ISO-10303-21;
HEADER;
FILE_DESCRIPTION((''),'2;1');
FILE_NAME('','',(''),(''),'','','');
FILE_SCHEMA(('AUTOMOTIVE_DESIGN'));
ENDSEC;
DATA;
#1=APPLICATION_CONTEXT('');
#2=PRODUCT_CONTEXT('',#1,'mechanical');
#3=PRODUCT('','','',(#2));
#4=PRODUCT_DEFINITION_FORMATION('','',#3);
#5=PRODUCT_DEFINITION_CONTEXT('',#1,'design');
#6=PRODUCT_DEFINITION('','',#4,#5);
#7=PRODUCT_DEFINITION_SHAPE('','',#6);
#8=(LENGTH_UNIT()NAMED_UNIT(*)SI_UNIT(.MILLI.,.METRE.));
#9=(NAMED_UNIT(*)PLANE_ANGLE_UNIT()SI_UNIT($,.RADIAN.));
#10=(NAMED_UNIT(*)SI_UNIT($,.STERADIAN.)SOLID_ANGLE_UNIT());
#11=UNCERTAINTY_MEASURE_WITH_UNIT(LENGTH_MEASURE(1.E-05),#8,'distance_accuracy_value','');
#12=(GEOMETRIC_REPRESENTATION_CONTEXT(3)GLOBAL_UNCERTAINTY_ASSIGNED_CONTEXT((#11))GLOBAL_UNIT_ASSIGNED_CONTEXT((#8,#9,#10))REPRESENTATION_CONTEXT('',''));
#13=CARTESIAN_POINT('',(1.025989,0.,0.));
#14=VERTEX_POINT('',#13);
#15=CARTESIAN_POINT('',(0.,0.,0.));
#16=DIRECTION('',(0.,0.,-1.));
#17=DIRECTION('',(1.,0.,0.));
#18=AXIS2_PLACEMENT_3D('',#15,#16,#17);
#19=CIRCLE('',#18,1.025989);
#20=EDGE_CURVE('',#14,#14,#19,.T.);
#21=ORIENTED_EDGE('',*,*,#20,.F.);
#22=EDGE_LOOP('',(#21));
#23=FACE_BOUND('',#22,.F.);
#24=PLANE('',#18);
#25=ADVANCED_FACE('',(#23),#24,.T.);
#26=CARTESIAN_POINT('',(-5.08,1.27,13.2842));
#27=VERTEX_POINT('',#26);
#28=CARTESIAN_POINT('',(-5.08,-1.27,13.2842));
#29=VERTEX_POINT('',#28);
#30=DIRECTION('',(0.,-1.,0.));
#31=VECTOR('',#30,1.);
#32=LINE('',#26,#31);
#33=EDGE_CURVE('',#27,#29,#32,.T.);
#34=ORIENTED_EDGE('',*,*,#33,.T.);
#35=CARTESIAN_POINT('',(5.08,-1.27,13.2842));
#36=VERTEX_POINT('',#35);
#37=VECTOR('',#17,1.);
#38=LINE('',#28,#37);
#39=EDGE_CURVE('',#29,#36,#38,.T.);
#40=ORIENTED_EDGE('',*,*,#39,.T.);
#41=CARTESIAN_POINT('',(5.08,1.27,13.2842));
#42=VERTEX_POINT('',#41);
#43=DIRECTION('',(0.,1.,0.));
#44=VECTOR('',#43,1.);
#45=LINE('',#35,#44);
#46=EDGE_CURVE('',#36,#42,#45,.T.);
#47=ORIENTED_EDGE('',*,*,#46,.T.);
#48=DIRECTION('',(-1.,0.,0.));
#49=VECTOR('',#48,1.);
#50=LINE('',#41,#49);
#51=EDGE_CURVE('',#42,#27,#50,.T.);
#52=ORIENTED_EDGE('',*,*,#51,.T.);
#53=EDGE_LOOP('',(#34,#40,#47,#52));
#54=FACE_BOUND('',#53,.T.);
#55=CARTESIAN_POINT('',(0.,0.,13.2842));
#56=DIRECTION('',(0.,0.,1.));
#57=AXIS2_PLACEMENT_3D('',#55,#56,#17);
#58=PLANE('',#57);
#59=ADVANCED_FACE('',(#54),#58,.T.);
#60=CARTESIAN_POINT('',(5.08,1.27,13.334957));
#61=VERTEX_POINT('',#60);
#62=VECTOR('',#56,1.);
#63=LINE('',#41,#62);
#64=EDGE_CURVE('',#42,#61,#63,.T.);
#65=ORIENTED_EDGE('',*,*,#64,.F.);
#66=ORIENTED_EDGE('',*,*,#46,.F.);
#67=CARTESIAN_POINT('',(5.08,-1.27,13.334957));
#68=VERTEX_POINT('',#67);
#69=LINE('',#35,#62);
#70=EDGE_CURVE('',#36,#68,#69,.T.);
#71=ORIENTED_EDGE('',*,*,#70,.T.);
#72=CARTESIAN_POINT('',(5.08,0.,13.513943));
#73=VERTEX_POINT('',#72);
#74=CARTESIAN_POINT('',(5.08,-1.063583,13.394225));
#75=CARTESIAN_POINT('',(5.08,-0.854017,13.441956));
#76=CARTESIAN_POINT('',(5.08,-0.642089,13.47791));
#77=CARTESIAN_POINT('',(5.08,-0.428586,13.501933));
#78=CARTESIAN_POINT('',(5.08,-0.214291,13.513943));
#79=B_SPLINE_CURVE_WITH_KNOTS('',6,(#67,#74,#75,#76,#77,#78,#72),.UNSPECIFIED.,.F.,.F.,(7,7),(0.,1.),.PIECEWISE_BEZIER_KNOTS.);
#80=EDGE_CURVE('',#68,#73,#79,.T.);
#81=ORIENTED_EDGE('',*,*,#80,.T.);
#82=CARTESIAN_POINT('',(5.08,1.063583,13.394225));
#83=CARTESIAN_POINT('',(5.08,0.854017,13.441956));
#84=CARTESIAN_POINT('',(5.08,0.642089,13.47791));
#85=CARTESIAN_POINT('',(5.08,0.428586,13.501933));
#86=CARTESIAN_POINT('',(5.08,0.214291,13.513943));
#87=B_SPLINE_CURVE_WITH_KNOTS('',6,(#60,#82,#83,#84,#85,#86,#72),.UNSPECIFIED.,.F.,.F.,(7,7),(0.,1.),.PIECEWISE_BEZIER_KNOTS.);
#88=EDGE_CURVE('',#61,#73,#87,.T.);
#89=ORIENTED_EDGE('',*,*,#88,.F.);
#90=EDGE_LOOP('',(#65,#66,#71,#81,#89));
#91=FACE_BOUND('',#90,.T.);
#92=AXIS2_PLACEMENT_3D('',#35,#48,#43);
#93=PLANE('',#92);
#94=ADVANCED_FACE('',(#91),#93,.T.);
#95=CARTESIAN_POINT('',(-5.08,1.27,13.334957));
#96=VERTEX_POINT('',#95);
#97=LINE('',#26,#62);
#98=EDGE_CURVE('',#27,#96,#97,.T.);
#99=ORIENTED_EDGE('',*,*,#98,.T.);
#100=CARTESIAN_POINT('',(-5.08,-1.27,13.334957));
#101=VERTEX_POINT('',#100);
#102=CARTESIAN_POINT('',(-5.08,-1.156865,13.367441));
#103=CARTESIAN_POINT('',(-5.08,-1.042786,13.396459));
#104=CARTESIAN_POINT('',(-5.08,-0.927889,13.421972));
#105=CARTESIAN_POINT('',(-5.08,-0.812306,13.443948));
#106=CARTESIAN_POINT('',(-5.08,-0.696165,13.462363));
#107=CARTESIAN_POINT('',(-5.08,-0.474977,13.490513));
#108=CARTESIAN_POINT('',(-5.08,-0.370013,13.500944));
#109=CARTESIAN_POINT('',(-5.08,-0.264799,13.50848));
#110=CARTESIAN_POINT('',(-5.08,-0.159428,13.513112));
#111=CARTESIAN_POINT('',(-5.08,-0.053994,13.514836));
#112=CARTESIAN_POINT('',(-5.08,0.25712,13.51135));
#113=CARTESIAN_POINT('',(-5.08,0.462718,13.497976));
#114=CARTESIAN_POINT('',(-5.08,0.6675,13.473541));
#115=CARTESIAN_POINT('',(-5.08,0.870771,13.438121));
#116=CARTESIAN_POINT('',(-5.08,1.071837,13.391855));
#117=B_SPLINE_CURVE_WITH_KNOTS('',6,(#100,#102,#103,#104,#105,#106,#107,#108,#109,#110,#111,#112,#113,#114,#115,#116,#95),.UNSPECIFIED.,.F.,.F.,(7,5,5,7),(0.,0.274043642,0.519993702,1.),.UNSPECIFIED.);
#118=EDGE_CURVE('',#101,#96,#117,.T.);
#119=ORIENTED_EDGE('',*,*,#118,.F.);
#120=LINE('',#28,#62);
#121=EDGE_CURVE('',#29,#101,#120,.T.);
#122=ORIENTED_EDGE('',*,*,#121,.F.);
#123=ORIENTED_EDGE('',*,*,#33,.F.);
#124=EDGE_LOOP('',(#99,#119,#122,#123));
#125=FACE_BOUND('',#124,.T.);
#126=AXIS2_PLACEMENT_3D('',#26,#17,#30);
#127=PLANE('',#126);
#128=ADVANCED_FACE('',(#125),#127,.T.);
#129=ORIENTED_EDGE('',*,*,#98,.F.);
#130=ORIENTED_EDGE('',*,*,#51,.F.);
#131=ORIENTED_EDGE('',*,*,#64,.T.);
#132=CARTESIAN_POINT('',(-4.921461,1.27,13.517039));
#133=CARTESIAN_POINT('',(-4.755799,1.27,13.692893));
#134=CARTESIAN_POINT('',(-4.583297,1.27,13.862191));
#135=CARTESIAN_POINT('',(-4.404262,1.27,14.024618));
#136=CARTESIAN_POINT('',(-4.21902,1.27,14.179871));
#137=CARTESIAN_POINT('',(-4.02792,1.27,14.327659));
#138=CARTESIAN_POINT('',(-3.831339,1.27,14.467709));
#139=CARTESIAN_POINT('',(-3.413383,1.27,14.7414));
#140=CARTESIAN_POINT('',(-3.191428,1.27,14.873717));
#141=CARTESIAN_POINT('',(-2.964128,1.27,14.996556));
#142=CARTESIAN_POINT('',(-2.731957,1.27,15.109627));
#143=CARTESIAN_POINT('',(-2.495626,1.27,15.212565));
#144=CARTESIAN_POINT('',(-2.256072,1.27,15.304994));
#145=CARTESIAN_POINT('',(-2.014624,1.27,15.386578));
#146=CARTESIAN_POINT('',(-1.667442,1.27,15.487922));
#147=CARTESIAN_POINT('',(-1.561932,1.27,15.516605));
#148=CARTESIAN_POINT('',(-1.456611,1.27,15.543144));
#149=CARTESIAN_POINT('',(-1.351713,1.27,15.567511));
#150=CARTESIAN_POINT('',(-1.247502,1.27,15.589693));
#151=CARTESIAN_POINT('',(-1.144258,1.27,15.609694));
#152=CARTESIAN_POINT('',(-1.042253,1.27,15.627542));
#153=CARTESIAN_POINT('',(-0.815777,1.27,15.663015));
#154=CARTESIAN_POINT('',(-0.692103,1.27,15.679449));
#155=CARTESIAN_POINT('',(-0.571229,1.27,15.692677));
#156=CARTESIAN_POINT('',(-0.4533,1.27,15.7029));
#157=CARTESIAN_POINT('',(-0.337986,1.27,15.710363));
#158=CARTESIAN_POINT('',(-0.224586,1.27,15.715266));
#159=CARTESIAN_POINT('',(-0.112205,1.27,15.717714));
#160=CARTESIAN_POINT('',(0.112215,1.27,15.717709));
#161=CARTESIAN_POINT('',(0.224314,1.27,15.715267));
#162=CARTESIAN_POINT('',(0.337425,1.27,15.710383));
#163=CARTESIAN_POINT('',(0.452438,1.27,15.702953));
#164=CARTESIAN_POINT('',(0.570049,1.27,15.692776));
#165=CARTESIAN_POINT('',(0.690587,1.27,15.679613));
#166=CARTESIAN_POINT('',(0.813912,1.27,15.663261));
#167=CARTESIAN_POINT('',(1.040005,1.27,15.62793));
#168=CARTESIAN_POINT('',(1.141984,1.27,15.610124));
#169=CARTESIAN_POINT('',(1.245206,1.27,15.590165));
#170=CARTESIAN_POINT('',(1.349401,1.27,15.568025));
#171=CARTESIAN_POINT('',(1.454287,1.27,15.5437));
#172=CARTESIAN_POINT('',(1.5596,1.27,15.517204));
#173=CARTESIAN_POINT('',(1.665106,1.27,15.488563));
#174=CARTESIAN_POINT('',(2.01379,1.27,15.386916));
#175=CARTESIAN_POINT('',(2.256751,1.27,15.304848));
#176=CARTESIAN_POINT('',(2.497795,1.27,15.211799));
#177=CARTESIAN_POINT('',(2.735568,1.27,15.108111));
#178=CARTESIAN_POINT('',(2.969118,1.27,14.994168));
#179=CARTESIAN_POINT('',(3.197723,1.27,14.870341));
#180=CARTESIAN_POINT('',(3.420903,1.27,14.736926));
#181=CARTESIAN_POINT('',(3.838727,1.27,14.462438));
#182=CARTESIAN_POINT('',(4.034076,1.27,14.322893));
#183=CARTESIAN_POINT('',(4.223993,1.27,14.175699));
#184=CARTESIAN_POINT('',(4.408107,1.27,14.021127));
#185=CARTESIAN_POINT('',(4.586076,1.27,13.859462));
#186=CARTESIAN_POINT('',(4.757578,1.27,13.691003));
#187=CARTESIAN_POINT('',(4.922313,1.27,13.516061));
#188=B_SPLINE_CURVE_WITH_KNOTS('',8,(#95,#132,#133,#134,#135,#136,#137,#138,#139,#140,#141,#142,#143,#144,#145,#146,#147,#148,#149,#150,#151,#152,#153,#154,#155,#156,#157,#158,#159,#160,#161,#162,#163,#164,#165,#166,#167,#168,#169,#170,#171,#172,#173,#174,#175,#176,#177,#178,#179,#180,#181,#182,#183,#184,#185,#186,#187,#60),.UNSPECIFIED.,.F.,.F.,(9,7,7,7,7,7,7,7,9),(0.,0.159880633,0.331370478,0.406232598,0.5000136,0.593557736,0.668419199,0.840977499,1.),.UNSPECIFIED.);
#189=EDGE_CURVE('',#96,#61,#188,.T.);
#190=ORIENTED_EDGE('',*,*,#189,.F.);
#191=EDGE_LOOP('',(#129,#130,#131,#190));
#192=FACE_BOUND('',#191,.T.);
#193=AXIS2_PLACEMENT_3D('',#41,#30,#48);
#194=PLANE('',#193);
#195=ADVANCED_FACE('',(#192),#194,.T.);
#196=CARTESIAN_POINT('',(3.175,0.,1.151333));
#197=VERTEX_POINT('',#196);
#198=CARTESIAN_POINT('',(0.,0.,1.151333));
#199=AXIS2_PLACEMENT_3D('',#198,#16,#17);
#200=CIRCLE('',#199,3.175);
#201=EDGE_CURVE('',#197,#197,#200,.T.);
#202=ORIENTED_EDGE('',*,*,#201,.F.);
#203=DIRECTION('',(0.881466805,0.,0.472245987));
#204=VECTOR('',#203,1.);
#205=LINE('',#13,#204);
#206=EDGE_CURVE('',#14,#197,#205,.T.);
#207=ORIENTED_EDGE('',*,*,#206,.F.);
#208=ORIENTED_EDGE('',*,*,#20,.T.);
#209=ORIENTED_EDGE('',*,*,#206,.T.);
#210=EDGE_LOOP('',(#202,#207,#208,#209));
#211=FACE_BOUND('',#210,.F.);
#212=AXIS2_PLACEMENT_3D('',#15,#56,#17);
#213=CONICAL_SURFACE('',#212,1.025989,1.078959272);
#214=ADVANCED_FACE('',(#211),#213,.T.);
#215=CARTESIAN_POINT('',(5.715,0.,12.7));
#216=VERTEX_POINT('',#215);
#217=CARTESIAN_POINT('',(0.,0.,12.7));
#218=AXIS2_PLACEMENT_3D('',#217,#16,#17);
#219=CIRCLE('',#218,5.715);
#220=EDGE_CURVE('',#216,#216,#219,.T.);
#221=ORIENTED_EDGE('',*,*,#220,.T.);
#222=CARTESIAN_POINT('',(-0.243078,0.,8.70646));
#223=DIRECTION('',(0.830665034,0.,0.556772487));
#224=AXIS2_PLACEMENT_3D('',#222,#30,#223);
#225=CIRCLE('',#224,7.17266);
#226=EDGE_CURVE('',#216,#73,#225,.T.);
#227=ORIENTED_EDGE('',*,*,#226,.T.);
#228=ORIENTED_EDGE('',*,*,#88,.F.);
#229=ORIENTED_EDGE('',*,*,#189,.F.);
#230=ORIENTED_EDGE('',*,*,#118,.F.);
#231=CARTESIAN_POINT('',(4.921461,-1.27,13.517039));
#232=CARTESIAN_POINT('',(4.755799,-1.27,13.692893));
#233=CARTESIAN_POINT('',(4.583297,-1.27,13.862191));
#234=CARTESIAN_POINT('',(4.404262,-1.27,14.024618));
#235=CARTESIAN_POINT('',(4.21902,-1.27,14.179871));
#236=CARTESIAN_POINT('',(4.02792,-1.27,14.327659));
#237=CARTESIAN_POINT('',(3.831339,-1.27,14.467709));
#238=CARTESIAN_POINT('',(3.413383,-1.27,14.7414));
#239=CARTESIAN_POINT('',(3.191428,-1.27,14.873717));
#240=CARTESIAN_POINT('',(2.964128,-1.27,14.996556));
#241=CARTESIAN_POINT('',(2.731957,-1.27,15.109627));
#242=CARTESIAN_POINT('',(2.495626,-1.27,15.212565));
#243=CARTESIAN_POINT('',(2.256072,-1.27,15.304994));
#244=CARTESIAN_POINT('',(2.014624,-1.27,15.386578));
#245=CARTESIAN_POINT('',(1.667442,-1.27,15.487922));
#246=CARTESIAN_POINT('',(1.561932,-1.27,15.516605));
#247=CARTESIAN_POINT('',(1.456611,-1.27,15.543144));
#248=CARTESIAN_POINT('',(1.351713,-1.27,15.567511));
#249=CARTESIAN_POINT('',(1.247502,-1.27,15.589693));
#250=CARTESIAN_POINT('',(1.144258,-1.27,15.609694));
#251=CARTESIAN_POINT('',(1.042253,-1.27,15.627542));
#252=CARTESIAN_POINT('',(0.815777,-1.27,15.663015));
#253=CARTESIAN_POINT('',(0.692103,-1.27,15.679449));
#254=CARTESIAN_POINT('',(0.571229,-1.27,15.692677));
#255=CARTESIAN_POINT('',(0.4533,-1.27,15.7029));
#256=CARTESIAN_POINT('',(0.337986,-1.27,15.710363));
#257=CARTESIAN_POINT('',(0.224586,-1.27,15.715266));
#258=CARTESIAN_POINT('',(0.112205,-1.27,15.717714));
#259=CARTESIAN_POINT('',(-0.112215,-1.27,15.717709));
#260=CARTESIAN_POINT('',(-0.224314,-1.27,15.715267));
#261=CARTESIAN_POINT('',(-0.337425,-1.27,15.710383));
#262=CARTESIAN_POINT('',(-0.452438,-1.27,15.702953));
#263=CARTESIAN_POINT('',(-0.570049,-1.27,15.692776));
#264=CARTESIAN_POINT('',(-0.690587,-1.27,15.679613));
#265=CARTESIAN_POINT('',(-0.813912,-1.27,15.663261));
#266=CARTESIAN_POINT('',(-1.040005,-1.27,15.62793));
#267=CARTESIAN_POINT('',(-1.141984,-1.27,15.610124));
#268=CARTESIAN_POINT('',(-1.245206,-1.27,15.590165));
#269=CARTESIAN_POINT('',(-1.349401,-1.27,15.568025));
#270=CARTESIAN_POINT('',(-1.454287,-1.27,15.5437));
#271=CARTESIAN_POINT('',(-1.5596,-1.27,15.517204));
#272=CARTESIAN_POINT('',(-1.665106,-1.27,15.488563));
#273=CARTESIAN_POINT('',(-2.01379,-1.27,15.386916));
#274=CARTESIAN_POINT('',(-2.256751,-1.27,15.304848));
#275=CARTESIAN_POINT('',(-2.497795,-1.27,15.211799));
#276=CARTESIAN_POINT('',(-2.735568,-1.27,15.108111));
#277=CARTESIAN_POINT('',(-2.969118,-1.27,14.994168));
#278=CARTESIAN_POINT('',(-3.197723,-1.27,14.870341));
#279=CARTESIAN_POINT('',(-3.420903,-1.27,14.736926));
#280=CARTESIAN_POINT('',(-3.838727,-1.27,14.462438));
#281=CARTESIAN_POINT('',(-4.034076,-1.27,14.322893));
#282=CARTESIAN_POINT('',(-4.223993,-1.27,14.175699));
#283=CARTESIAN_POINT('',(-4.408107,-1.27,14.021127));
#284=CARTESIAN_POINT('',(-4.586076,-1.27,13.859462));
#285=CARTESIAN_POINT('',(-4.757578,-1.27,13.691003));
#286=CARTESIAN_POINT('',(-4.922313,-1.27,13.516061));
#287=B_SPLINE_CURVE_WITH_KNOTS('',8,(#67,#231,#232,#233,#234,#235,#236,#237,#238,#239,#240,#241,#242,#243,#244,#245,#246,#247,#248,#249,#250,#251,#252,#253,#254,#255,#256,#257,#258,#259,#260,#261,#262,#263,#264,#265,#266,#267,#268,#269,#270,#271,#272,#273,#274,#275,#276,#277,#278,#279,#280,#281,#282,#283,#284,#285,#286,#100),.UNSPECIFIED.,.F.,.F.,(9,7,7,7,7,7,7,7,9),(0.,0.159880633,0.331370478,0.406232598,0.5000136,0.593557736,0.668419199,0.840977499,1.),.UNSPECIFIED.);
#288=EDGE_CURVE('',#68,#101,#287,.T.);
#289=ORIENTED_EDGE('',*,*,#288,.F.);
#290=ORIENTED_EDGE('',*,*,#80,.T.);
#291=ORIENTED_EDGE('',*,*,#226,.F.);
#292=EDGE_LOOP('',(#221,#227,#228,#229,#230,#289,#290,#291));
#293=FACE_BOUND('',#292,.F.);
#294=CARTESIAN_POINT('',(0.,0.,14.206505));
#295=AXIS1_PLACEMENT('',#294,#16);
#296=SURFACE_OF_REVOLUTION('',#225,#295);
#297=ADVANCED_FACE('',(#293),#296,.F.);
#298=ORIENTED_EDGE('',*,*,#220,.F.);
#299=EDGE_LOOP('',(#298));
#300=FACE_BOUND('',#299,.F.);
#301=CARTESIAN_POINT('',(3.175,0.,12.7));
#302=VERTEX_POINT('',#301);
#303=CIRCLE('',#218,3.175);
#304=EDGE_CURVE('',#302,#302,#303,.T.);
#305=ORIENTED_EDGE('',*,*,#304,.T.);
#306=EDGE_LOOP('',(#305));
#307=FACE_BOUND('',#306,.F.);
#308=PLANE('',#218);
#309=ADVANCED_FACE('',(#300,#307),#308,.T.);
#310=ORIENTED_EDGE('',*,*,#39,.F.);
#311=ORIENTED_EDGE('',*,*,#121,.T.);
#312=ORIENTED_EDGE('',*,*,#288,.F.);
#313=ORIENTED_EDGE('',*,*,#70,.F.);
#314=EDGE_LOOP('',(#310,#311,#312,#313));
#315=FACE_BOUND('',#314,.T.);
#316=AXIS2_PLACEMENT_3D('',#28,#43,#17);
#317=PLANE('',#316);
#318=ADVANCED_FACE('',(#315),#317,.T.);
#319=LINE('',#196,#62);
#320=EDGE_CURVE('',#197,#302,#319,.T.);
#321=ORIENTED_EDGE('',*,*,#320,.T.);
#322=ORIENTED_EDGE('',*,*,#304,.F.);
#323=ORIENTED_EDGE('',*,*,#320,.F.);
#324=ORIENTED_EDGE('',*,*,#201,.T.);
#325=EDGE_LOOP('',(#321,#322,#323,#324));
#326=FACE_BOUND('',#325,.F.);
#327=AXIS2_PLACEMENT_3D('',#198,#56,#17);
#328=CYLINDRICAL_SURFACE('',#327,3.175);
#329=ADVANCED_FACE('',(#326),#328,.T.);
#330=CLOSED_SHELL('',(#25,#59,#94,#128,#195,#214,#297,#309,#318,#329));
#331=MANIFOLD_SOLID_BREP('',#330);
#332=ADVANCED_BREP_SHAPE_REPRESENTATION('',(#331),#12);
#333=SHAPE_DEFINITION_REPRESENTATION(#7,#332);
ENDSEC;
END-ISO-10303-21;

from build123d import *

# Parameters (mm, degrees)
F4_DEPTH = 2.5918


with BuildPart() as f1:
    # F0 (on Front) → F1 (revolve)
    with BuildSketch(Plane.XZ):
        with BuildLine():
            Line((0, 12.538011), (0, 0))
            Line((0, 0), (1.025989, 0))
            Line((1.025989, 0), (3.175, 1.151333))
            Line((3.175, 1.151333), (3.175, 12.7))
            Line((3.175, 12.7), (5.715, 12.7))
            ThreePointArc((5.715, 12.7), (3.240274, 14.976493), (0, 15.875))
            Line((0, 15.875), (0, 12.538011))
        make_face()
    revolve(axis=Axis((0, 0, 14.206505), (0, 0, -1)))

    # F3 (on offset) → F4 (cut, through all)
    with BuildSketch(Plane.XY.offset(13.2842)):
        Polygon((5.08, 1.27), (-5.08, 1.27), (-5.08, -1.27), (5.08, -1.27), (5.08, 0), align=None)
    extrude(amount=F4_DEPTH, mode=Mode.SUBTRACT)


solid = f1.part
